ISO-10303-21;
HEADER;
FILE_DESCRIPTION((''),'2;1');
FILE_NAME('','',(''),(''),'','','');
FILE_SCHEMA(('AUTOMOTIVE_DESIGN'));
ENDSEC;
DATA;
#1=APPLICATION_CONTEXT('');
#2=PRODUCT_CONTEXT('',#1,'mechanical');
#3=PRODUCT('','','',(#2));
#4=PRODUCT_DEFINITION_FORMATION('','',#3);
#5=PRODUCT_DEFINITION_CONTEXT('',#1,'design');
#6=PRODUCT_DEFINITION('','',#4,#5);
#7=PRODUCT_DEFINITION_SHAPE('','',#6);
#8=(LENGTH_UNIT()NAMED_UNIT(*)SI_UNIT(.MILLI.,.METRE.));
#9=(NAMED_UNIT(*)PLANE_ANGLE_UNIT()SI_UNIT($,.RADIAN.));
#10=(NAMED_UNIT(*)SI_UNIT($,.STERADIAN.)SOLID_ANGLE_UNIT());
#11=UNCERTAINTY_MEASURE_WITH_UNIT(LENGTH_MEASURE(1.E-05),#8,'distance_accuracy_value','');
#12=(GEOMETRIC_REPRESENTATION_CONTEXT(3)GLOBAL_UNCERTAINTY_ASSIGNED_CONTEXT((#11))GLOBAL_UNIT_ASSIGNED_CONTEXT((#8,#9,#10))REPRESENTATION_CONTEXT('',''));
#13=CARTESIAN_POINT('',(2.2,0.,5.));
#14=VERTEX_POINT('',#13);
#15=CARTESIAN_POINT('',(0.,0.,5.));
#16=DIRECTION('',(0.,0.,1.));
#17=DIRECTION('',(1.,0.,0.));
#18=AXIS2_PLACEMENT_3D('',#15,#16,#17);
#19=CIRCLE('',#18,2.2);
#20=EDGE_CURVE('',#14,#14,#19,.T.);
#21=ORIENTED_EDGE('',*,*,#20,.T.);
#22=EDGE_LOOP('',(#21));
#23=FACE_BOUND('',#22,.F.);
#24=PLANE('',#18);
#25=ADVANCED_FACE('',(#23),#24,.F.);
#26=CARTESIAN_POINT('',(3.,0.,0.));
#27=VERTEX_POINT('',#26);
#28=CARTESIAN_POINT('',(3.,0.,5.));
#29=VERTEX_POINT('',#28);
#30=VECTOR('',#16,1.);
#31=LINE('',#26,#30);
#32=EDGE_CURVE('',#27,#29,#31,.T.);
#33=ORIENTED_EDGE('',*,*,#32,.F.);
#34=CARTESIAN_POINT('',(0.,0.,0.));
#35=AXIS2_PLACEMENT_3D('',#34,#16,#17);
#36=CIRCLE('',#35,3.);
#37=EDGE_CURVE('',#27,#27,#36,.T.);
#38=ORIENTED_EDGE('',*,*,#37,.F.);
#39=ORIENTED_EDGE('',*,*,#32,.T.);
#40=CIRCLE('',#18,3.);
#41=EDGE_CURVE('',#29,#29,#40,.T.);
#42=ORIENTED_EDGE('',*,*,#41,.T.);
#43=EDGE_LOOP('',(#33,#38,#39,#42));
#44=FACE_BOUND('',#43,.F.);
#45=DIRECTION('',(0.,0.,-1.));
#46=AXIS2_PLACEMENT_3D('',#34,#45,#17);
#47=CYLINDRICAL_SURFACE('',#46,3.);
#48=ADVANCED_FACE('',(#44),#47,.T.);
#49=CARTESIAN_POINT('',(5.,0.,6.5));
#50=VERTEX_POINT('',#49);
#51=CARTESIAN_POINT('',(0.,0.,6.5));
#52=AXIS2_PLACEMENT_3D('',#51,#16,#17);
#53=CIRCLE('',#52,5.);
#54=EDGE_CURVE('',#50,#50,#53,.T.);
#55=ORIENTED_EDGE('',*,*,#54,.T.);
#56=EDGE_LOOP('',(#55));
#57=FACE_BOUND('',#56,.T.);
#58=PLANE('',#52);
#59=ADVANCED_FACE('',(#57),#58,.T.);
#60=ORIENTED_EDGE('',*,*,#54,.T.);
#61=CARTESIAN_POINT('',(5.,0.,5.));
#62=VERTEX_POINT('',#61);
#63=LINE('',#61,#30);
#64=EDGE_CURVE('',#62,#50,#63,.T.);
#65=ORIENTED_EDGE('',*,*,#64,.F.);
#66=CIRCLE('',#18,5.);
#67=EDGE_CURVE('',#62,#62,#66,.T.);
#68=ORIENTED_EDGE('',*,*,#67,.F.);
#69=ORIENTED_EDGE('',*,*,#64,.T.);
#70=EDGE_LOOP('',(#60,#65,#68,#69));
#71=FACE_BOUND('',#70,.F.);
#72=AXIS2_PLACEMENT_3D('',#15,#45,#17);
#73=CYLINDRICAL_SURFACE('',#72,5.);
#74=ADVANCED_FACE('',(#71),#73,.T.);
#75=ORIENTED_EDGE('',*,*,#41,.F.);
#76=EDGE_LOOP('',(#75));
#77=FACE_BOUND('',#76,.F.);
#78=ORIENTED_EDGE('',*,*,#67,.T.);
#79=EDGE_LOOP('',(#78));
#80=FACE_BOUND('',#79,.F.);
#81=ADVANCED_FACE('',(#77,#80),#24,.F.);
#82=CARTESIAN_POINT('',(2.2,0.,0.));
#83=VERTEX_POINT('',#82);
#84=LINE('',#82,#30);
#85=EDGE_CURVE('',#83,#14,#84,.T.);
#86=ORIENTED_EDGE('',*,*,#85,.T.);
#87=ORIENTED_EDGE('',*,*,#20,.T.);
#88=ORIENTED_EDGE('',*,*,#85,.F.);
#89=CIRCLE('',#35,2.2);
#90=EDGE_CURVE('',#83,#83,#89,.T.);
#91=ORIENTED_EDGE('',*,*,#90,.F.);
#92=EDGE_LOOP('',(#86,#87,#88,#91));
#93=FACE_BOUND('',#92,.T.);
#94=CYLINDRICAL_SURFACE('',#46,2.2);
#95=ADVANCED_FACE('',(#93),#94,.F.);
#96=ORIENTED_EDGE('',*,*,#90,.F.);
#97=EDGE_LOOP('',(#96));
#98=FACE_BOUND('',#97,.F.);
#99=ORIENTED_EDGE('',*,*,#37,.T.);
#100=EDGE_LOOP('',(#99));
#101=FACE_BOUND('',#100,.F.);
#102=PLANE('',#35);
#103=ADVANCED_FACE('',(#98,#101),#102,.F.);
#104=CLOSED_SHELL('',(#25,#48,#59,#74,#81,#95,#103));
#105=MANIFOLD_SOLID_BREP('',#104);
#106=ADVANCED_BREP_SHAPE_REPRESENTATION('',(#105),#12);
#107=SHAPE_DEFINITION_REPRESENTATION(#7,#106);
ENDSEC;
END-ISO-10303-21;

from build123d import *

# Parameters (mm, degrees)
CYLINDER001_R     = 5
CYLINDER001_DEPTH = 1.5
CYLINDER002_R     = 2.2
CYLINDER002_DEPTH = 5
CYLINDER_R        = 3
CYLINDER_DEPTH    = 5


with BuildPart() as cylinder001:
    # Cylinder001 → Cylinder001 (new body)
    with BuildSketch(Plane.XY.offset(5)):
        Circle(CYLINDER001_R)
    extrude(amount=CYLINDER001_DEPTH)


with BuildPart() as cylinder002:
    # Cylinder002 → Cylinder002 (new body)
    with BuildSketch(Plane.XY):
        Circle(CYLINDER002_R)
    extrude(amount=CYLINDER002_DEPTH)


with BuildPart() as fusion001:
    # Cylinder → Cylinder (new body)
    with BuildSketch(Plane.XY):
        Circle(CYLINDER_R)
    extrude(amount=CYLINDER_DEPTH)

    # Cut: cut Cylinder002
    add(cylinder002.part, mode=Mode.SUBTRACT)

    # Fusion: union Cylinder001
    add(cylinder001.part)


solid = fusion001.part
